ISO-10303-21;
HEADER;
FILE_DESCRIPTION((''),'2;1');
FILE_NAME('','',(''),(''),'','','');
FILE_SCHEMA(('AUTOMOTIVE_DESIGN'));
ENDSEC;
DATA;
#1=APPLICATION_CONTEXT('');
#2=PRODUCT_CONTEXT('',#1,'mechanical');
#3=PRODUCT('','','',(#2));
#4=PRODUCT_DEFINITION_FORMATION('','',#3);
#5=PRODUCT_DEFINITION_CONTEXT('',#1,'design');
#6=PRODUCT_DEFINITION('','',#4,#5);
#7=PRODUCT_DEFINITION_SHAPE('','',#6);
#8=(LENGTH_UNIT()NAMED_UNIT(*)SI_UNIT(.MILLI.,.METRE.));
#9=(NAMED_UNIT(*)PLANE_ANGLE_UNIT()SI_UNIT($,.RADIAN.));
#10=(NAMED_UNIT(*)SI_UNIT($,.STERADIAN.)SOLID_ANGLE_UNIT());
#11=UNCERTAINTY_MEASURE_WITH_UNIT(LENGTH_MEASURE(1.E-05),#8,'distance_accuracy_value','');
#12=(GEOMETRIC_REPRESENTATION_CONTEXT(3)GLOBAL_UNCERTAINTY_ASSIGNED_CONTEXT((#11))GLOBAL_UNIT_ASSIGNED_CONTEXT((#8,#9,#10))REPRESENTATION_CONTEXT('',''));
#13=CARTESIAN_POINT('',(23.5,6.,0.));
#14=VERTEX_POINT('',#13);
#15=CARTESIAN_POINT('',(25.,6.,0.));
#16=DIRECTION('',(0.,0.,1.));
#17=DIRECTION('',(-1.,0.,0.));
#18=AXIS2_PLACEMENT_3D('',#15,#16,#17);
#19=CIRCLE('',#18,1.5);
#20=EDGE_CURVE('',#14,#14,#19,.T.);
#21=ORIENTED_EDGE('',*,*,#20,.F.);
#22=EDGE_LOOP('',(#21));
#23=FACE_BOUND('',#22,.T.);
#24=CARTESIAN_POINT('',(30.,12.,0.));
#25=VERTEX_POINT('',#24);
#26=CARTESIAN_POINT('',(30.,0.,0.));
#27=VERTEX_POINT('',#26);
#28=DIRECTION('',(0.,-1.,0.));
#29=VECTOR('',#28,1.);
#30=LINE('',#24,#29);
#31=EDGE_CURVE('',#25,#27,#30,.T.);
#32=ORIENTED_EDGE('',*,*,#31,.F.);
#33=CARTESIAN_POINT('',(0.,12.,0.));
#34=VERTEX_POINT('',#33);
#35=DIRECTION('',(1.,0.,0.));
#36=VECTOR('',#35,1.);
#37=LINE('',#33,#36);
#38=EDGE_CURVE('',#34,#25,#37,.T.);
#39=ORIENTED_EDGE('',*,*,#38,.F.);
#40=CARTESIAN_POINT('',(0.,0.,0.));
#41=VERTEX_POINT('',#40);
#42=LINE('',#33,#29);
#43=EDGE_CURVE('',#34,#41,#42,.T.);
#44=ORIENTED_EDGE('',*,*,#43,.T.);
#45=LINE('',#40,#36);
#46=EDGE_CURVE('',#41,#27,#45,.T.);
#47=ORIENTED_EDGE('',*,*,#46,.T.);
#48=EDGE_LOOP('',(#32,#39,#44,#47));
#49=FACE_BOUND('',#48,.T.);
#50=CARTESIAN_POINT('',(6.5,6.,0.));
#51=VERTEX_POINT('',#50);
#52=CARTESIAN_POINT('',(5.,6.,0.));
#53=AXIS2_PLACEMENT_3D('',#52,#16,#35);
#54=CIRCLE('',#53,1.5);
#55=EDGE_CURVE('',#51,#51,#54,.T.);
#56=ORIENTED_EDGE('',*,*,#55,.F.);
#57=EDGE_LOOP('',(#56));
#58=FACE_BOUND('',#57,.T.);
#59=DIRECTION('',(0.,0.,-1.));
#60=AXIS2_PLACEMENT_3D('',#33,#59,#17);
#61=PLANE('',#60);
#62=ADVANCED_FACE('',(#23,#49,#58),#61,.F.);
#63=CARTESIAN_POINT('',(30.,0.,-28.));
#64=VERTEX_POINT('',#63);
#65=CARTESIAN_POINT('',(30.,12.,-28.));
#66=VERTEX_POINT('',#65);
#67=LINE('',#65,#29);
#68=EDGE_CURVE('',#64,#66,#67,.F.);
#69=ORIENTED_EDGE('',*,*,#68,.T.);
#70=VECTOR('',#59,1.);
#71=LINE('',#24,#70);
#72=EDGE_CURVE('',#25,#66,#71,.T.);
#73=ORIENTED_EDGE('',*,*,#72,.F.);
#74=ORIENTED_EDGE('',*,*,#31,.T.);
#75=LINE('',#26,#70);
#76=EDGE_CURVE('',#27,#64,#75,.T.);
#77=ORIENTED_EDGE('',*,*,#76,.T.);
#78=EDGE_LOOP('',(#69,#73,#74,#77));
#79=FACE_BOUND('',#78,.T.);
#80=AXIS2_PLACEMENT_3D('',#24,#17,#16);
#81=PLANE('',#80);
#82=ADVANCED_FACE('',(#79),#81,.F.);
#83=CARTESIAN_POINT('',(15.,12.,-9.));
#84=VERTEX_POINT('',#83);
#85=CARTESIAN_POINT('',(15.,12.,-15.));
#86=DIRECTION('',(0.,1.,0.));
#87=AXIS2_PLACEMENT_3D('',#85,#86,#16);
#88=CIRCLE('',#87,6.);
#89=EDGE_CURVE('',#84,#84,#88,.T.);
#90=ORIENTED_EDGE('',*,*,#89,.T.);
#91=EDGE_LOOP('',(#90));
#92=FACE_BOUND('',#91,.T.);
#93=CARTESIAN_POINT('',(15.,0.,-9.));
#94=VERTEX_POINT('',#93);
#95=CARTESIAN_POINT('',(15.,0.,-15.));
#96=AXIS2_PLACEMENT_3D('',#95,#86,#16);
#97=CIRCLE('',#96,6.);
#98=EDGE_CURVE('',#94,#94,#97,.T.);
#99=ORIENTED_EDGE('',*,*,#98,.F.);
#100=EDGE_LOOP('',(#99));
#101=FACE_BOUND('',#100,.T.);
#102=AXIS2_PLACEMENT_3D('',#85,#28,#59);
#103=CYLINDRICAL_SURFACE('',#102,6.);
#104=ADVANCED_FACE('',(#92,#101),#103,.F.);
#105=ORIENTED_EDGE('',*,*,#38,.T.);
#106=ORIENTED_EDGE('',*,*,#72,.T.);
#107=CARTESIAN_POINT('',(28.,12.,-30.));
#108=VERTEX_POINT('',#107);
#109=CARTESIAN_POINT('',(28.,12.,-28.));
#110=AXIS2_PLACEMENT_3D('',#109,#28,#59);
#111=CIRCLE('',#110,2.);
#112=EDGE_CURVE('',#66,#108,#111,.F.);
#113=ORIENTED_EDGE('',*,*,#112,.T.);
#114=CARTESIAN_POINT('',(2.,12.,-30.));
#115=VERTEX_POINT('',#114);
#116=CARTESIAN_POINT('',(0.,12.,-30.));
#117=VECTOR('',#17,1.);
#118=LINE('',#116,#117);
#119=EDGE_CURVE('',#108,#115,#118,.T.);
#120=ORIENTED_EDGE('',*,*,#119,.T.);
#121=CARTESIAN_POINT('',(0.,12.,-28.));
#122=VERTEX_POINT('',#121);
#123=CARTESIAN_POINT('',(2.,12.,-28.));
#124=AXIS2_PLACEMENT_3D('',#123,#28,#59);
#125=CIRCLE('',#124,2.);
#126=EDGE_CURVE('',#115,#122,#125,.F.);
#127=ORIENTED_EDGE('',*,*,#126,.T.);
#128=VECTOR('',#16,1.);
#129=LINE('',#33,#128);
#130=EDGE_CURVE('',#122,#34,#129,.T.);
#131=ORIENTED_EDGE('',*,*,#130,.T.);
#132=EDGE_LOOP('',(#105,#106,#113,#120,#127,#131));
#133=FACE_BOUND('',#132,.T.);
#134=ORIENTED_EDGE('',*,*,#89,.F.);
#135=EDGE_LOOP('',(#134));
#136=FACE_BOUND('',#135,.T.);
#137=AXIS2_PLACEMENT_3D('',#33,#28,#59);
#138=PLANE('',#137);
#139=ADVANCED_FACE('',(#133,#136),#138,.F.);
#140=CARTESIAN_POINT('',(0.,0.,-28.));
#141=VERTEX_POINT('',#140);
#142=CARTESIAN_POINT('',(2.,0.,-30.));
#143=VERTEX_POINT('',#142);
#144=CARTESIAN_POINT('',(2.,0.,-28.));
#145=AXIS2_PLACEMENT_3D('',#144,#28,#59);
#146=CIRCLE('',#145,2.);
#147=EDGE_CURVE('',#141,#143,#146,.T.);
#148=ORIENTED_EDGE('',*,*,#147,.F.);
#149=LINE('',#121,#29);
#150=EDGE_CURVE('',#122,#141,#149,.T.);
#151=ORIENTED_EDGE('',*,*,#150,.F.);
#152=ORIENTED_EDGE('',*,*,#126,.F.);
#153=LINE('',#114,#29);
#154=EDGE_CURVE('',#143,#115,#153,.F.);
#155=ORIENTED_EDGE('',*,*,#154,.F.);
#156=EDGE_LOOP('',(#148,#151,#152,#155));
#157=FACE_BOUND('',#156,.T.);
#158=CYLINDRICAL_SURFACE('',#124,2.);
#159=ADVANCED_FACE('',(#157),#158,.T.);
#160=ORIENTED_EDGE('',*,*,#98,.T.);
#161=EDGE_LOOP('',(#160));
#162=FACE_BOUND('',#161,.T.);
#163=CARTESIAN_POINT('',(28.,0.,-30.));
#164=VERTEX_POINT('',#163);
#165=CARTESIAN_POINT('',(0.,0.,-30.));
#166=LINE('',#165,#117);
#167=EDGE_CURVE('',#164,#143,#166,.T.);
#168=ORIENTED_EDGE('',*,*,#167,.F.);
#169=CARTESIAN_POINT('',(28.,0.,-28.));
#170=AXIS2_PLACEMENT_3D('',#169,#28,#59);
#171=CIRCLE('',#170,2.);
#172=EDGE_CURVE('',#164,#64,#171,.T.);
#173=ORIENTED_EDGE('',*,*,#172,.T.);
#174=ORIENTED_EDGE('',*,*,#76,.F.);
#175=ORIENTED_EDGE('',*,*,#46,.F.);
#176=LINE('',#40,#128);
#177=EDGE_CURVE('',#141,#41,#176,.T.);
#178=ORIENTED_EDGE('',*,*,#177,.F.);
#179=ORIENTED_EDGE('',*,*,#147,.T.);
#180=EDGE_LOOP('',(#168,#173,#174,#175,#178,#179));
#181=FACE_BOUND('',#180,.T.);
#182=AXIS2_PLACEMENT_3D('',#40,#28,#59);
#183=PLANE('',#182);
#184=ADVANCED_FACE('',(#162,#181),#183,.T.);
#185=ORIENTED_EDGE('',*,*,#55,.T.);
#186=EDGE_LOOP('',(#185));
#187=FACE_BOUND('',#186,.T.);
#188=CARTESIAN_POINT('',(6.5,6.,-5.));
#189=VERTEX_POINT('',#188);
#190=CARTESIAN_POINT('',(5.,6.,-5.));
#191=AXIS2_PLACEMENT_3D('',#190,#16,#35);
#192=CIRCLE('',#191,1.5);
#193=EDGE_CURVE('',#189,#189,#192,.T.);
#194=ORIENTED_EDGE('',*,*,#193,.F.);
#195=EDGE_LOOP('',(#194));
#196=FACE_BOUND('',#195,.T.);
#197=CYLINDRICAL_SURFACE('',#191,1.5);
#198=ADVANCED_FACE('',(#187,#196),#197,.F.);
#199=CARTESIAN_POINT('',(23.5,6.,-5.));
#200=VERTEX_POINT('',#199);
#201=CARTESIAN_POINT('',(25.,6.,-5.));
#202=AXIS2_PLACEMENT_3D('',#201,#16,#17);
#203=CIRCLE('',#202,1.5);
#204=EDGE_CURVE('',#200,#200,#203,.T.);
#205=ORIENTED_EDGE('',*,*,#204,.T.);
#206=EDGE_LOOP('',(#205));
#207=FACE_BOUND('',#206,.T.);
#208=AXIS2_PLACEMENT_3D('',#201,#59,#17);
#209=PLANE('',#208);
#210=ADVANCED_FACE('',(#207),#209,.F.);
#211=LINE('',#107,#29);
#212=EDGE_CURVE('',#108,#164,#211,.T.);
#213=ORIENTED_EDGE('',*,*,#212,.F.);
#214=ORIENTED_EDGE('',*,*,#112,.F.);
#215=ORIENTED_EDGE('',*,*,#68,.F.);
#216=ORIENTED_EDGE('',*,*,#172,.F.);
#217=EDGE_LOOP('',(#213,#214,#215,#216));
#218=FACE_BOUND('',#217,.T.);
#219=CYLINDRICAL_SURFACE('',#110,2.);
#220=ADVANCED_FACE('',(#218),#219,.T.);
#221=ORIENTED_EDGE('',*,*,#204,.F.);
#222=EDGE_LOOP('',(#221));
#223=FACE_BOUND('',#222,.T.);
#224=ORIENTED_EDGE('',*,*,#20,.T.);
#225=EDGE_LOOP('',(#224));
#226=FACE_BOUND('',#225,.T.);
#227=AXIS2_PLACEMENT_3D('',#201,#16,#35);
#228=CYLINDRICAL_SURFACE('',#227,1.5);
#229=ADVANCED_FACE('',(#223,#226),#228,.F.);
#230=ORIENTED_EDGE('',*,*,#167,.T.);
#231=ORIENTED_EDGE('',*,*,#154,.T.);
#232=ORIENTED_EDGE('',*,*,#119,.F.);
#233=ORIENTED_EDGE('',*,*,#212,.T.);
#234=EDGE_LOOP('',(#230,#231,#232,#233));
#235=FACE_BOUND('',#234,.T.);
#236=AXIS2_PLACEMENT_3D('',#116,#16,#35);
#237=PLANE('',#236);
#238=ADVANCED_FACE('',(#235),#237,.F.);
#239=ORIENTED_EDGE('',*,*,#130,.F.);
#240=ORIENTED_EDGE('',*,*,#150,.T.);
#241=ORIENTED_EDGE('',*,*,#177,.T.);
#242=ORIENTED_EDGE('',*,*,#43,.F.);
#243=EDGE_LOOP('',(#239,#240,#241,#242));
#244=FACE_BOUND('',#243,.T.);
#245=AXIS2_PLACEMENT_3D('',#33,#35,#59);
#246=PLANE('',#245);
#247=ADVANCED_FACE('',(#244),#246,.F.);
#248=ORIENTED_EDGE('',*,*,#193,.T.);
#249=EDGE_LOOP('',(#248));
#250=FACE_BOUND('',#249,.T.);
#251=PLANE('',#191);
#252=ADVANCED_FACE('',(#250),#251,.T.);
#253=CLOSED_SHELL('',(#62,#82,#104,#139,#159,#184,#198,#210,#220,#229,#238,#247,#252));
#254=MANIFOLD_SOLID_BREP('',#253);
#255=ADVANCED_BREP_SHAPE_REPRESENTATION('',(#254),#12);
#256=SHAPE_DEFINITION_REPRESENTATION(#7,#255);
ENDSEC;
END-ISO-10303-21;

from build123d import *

# Parameters (mm, degrees)
SKETCH1_W           = 30
SKETCH1_H           = 30
SKETCH1_R           = 6
BOSS_EXTRUDE1_DEPTH = 12
FILLET1_R           = 2
SKETCH2_R           = 1.5
CUT_EXTRUDE1_DEPTH  = 5


with BuildPart() as part:
    # Sketch1 → Boss-Extrude1 (new body)
    with BuildSketch(Plane(origin=(0, 0, 0), x_dir=(1, 0, 0), z_dir=(0, 1, 0))):
        with Locations((15, 15)):
            Rectangle(SKETCH1_W, SKETCH1_H)
        with Locations(Location((15, 15, 0), (0, 0, 270))):
            Circle(SKETCH1_R, mode=Mode.SUBTRACT)
    extrude(amount=BOSS_EXTRUDE1_DEPTH)

    # Fillet1
    fillet1_edges = [part.edges().sort_by_distance(p)[0] for p in [
        (0, 6, -30),
        (30, 6, -30),
    ]]
    fillet(fillet1_edges, radius=FILLET1_R)

    # Sketch2 → Cut-Extrude1 (cut)
    with BuildSketch(Plane.XY):
        with Locations((5, 6)):
            Circle(SKETCH2_R)
        with Locations(Location((25, 6, 0), (0, 0, 180))):
            Circle(SKETCH2_R)
    extrude(amount=-CUT_EXTRUDE1_DEPTH, mode=Mode.SUBTRACT)


solid = part.part
